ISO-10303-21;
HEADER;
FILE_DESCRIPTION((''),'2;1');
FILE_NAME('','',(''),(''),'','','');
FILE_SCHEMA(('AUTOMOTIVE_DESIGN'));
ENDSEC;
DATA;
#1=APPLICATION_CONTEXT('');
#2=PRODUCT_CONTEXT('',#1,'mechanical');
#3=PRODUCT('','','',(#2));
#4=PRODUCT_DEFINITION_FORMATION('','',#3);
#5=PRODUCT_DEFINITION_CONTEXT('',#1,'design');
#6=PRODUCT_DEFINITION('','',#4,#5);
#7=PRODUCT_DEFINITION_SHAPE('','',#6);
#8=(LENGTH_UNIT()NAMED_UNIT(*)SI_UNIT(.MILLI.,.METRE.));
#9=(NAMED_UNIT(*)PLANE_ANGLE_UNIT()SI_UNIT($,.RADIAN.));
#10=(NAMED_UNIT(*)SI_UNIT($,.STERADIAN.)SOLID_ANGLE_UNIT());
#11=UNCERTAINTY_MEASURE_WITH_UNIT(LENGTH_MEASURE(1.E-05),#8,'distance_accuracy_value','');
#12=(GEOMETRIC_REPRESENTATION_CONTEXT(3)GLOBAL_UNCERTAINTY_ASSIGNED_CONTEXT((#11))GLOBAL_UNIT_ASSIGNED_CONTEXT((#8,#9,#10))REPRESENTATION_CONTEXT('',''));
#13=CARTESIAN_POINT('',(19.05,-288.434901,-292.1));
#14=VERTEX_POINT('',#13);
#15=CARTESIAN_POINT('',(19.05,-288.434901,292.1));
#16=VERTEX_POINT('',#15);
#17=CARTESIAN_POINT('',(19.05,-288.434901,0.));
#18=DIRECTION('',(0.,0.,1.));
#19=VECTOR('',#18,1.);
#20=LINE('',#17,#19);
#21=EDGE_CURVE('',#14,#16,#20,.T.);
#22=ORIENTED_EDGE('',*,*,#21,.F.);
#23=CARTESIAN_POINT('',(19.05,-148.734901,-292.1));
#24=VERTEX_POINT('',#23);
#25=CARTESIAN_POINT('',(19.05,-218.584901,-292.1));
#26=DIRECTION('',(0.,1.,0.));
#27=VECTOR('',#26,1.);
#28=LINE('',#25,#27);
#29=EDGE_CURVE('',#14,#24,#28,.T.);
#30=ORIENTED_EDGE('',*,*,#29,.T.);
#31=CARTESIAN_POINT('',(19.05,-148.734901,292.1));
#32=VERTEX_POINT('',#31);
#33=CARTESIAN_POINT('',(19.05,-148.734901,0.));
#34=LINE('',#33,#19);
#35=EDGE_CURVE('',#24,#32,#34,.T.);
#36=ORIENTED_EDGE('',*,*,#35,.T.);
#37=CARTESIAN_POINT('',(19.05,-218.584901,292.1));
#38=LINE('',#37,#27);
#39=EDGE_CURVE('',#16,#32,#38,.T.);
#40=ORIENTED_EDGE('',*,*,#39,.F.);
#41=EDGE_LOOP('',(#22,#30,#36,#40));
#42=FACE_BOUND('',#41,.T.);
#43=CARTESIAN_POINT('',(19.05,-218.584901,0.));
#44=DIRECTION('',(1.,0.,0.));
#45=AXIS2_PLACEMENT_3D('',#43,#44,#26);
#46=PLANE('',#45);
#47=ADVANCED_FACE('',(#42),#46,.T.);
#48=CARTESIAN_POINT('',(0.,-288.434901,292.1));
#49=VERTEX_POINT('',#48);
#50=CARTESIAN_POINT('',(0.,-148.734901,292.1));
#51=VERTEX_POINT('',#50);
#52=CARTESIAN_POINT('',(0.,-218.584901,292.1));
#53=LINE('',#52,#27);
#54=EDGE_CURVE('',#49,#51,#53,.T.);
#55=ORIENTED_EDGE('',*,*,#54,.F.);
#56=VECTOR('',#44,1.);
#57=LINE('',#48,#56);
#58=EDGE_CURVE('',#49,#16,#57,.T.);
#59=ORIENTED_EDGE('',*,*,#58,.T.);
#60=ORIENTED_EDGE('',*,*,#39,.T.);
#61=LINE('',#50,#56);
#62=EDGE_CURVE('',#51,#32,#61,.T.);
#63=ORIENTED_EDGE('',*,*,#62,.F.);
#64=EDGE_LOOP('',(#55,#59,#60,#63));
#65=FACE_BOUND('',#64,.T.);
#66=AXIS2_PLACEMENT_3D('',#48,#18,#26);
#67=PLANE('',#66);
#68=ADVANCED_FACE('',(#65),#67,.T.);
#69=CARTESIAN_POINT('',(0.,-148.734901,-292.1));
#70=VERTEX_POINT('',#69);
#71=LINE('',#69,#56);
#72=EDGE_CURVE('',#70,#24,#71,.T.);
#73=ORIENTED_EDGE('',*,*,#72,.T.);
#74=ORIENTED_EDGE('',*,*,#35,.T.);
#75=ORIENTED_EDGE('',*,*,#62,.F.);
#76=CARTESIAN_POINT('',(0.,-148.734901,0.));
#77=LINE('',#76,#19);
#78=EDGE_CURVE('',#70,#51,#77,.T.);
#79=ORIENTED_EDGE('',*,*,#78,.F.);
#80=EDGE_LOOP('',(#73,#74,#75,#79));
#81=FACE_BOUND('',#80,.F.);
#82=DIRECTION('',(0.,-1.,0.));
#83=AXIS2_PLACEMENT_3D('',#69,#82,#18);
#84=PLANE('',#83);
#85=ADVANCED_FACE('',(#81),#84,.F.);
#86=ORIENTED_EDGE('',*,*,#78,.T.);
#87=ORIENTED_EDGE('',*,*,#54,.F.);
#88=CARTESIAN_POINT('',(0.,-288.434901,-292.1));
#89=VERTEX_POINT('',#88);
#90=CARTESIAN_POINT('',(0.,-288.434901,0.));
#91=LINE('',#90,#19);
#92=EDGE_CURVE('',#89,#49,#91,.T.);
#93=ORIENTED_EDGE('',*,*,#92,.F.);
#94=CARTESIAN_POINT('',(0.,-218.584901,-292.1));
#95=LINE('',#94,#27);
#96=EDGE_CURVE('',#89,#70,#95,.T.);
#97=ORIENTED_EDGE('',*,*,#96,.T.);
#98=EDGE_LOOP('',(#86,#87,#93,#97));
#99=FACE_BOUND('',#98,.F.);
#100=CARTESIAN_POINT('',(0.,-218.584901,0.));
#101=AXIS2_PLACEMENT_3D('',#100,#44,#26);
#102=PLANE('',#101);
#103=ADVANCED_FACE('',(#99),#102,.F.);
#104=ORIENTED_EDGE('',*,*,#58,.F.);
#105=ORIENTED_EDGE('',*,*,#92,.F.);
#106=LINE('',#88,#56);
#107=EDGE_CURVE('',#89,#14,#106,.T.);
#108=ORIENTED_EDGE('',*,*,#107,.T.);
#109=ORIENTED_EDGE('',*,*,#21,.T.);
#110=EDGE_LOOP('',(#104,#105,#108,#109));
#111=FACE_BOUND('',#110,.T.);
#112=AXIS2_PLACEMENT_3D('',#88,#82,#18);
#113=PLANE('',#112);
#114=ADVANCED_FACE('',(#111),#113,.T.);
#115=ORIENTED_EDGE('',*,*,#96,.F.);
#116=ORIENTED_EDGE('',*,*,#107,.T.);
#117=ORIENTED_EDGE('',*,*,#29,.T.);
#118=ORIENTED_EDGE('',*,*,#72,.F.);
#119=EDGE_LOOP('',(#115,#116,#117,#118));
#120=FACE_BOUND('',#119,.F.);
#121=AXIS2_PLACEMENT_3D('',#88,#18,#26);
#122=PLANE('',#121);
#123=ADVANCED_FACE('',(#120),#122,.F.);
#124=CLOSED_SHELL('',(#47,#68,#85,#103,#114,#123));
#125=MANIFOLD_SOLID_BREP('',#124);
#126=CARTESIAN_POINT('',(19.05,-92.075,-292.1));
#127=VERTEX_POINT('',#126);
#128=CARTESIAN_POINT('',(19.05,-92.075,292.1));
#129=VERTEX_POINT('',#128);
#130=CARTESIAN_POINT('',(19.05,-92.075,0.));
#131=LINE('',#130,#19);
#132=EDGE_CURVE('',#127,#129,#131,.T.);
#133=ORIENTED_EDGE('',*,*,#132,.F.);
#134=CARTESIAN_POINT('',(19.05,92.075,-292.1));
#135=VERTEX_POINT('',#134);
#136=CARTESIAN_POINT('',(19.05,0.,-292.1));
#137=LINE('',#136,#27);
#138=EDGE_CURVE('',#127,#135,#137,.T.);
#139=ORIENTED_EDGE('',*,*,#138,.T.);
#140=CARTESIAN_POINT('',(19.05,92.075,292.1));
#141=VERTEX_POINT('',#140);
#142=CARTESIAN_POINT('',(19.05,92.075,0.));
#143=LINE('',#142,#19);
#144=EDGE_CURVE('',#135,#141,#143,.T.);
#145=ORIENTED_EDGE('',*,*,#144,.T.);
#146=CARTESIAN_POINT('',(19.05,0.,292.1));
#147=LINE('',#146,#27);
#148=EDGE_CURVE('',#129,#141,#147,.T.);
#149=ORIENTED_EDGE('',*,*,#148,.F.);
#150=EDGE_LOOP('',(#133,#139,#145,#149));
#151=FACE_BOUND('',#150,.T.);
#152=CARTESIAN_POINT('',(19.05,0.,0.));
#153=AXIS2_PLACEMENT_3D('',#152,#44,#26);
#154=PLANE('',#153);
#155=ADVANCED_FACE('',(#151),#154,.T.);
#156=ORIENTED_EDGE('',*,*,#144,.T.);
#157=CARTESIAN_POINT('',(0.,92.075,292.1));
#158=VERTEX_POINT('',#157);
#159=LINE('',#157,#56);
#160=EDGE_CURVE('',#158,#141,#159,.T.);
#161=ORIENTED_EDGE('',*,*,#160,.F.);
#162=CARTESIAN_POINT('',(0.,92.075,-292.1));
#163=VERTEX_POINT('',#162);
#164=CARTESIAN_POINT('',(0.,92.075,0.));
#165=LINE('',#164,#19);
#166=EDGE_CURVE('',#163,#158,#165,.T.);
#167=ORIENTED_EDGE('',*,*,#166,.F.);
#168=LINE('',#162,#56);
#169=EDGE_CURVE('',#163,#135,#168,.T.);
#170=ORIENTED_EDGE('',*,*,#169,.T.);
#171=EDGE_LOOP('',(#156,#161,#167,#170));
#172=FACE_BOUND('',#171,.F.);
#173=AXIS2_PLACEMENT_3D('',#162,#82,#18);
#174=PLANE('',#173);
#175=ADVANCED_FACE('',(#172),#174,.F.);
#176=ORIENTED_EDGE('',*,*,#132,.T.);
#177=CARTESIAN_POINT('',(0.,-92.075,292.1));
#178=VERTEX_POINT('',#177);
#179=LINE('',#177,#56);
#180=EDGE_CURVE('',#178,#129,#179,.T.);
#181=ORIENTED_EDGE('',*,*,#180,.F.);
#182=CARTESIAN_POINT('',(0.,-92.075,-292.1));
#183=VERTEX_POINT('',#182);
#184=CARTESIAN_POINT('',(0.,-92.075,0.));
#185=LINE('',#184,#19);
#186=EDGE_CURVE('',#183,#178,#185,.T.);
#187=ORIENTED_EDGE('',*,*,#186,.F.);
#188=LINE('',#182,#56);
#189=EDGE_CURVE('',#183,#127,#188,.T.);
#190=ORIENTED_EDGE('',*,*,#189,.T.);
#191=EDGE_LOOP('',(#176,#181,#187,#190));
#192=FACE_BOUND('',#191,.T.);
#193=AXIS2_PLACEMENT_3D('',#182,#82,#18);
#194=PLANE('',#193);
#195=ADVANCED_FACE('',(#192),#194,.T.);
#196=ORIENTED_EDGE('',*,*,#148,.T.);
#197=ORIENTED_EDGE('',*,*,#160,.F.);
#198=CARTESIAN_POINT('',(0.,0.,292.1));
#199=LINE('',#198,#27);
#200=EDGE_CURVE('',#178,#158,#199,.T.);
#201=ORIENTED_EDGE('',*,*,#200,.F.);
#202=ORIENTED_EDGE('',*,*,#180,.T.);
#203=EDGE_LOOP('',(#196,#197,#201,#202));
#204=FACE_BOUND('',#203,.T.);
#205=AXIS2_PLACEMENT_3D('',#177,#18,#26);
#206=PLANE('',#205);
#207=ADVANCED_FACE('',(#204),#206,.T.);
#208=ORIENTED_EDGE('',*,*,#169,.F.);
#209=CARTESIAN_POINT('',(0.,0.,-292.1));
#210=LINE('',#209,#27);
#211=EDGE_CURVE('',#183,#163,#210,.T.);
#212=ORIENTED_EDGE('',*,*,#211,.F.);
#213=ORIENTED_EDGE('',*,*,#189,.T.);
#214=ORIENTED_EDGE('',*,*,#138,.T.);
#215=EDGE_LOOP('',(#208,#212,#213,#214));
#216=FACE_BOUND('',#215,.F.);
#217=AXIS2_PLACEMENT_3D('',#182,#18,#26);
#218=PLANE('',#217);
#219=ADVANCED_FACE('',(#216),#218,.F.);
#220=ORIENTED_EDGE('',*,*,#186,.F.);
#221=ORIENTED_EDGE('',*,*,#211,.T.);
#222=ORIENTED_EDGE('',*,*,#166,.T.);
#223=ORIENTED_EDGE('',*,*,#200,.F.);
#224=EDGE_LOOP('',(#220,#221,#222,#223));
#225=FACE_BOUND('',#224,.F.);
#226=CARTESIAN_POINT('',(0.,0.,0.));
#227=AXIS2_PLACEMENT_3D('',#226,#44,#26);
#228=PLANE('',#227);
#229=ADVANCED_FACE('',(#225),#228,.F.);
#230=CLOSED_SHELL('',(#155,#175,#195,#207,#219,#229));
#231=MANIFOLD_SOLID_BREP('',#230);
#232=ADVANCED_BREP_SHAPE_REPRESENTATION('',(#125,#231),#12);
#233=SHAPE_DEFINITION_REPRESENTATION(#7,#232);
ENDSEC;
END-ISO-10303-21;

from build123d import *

# Parameters (mm, degrees)
F0_W     = 184.15
F0_H     = 584.2
F1_DEPTH = 19.05
F2_W     = 139.7
F2_H     = 584.2
F3_DEPTH = 19.05


with BuildPart() as f1:
    # F0 (on Right) → F1 (new body)
    with BuildSketch(Plane.YZ):
        Rectangle(F0_W, F0_H)
    extrude(amount=F1_DEPTH)


with BuildPart() as f3:
    # F2 (on Right) → F3 (new body)
    with BuildSketch(Plane.YZ):
        with Locations((-218.584901, 0)):
            Rectangle(F2_W, F2_H)
    extrude(amount=F3_DEPTH)


solid = Compound([f1.part, f3.part])
